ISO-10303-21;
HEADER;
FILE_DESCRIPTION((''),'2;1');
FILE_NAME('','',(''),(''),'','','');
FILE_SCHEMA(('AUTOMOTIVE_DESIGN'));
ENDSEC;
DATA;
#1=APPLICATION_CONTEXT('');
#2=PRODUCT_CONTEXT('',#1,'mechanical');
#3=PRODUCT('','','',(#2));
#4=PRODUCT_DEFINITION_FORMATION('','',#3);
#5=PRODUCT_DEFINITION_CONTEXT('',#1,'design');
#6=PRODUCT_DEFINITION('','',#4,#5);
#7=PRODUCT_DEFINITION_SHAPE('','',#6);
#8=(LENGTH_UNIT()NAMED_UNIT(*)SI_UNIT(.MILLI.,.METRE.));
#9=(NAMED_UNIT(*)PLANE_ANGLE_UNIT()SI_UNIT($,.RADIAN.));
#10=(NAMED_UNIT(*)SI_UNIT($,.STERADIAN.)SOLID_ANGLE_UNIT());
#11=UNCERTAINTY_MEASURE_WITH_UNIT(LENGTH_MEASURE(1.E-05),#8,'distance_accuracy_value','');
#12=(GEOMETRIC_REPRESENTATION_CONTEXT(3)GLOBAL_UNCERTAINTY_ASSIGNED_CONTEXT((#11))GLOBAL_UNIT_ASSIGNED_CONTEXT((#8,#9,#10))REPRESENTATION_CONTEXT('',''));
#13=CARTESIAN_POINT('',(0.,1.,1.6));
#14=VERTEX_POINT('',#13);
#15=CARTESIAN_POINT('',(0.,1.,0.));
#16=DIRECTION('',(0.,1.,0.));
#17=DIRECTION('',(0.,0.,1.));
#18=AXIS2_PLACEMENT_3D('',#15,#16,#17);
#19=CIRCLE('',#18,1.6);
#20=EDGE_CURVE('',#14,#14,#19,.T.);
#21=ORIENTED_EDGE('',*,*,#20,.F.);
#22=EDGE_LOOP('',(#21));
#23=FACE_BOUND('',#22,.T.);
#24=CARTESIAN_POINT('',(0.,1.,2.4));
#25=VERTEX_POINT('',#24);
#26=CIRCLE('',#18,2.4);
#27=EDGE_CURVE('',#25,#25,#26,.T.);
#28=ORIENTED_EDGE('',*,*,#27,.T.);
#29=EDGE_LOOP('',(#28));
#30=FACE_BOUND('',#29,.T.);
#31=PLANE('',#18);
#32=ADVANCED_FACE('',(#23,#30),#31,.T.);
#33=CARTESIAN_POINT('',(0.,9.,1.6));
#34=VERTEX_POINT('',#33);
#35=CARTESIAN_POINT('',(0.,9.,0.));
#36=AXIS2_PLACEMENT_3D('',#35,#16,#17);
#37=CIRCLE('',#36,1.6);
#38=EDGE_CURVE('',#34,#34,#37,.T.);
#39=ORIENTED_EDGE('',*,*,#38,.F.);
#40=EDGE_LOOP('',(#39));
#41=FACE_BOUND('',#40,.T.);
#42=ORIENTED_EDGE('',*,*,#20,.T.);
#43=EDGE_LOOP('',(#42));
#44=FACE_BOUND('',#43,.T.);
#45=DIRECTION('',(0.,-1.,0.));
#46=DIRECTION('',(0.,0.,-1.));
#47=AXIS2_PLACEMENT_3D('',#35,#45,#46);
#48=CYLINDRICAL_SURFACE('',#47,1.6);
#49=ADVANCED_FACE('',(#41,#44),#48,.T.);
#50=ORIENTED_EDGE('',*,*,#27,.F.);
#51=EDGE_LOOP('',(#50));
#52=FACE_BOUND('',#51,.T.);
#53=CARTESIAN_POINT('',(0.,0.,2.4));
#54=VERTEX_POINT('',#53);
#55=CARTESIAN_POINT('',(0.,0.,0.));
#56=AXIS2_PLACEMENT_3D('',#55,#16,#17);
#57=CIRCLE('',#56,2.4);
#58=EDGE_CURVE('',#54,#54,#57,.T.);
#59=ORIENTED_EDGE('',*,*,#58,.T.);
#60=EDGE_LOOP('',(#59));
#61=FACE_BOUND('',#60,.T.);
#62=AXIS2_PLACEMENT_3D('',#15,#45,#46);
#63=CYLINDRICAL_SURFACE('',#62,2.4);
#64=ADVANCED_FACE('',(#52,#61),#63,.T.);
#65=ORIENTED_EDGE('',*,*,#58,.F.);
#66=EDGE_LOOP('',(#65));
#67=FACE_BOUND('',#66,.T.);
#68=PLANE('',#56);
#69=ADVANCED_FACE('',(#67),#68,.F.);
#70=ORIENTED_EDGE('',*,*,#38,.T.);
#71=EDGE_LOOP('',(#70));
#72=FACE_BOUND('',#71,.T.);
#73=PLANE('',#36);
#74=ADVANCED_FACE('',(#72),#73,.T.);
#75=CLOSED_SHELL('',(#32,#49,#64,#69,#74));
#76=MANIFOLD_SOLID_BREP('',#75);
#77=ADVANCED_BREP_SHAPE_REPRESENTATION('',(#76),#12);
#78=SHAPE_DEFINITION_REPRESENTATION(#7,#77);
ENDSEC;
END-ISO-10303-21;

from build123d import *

# Parameters (mm, degrees)
SKETCH1_R           = 2.4
SKETCH1_R_2         = 1.6
BOSS_EXTRUDE1_DEPTH = 1
BOSS_EXTRUDE2_START = 1
SKETCH1_4_R         = 1.6
BOSS_EXTRUDE2_DEPTH = 8


with BuildPart() as part:
    # Sketch1 → Boss-Extrude1 (new body)
    # profile 1 of 2: a face of its own
    with BuildSketch(Plane(origin=(0, 0, 0), x_dir=(1, 0, 0), z_dir=(0, 1, 0))):
        with Locations(Location((0, 0, 0), (0, 0, 270))):
            Circle(SKETCH1_R)
        Circle(SKETCH1_R_2, mode=Mode.SUBTRACT)
    # profile 2 of 2: a face of its own
    with BuildSketch(Plane(origin=(0, 0, 0), x_dir=(1, 0, 0), z_dir=(0, 1, 0))):
        Circle(SKETCH1_R_2)
    extrude(amount=BOSS_EXTRUDE1_DEPTH)

    # Sketch1<4> → Boss-Extrude2 (add)
    with BuildSketch(Plane(origin=(0, 0, 0), x_dir=(1, 0, 0), z_dir=(0, 1, 0)).offset(BOSS_EXTRUDE2_START)):
        with Locations(Location((0, 0, 0), (0, 0, 270))):
            Circle(SKETCH1_4_R)
    extrude(amount=BOSS_EXTRUDE2_DEPTH)


solid = part.part
